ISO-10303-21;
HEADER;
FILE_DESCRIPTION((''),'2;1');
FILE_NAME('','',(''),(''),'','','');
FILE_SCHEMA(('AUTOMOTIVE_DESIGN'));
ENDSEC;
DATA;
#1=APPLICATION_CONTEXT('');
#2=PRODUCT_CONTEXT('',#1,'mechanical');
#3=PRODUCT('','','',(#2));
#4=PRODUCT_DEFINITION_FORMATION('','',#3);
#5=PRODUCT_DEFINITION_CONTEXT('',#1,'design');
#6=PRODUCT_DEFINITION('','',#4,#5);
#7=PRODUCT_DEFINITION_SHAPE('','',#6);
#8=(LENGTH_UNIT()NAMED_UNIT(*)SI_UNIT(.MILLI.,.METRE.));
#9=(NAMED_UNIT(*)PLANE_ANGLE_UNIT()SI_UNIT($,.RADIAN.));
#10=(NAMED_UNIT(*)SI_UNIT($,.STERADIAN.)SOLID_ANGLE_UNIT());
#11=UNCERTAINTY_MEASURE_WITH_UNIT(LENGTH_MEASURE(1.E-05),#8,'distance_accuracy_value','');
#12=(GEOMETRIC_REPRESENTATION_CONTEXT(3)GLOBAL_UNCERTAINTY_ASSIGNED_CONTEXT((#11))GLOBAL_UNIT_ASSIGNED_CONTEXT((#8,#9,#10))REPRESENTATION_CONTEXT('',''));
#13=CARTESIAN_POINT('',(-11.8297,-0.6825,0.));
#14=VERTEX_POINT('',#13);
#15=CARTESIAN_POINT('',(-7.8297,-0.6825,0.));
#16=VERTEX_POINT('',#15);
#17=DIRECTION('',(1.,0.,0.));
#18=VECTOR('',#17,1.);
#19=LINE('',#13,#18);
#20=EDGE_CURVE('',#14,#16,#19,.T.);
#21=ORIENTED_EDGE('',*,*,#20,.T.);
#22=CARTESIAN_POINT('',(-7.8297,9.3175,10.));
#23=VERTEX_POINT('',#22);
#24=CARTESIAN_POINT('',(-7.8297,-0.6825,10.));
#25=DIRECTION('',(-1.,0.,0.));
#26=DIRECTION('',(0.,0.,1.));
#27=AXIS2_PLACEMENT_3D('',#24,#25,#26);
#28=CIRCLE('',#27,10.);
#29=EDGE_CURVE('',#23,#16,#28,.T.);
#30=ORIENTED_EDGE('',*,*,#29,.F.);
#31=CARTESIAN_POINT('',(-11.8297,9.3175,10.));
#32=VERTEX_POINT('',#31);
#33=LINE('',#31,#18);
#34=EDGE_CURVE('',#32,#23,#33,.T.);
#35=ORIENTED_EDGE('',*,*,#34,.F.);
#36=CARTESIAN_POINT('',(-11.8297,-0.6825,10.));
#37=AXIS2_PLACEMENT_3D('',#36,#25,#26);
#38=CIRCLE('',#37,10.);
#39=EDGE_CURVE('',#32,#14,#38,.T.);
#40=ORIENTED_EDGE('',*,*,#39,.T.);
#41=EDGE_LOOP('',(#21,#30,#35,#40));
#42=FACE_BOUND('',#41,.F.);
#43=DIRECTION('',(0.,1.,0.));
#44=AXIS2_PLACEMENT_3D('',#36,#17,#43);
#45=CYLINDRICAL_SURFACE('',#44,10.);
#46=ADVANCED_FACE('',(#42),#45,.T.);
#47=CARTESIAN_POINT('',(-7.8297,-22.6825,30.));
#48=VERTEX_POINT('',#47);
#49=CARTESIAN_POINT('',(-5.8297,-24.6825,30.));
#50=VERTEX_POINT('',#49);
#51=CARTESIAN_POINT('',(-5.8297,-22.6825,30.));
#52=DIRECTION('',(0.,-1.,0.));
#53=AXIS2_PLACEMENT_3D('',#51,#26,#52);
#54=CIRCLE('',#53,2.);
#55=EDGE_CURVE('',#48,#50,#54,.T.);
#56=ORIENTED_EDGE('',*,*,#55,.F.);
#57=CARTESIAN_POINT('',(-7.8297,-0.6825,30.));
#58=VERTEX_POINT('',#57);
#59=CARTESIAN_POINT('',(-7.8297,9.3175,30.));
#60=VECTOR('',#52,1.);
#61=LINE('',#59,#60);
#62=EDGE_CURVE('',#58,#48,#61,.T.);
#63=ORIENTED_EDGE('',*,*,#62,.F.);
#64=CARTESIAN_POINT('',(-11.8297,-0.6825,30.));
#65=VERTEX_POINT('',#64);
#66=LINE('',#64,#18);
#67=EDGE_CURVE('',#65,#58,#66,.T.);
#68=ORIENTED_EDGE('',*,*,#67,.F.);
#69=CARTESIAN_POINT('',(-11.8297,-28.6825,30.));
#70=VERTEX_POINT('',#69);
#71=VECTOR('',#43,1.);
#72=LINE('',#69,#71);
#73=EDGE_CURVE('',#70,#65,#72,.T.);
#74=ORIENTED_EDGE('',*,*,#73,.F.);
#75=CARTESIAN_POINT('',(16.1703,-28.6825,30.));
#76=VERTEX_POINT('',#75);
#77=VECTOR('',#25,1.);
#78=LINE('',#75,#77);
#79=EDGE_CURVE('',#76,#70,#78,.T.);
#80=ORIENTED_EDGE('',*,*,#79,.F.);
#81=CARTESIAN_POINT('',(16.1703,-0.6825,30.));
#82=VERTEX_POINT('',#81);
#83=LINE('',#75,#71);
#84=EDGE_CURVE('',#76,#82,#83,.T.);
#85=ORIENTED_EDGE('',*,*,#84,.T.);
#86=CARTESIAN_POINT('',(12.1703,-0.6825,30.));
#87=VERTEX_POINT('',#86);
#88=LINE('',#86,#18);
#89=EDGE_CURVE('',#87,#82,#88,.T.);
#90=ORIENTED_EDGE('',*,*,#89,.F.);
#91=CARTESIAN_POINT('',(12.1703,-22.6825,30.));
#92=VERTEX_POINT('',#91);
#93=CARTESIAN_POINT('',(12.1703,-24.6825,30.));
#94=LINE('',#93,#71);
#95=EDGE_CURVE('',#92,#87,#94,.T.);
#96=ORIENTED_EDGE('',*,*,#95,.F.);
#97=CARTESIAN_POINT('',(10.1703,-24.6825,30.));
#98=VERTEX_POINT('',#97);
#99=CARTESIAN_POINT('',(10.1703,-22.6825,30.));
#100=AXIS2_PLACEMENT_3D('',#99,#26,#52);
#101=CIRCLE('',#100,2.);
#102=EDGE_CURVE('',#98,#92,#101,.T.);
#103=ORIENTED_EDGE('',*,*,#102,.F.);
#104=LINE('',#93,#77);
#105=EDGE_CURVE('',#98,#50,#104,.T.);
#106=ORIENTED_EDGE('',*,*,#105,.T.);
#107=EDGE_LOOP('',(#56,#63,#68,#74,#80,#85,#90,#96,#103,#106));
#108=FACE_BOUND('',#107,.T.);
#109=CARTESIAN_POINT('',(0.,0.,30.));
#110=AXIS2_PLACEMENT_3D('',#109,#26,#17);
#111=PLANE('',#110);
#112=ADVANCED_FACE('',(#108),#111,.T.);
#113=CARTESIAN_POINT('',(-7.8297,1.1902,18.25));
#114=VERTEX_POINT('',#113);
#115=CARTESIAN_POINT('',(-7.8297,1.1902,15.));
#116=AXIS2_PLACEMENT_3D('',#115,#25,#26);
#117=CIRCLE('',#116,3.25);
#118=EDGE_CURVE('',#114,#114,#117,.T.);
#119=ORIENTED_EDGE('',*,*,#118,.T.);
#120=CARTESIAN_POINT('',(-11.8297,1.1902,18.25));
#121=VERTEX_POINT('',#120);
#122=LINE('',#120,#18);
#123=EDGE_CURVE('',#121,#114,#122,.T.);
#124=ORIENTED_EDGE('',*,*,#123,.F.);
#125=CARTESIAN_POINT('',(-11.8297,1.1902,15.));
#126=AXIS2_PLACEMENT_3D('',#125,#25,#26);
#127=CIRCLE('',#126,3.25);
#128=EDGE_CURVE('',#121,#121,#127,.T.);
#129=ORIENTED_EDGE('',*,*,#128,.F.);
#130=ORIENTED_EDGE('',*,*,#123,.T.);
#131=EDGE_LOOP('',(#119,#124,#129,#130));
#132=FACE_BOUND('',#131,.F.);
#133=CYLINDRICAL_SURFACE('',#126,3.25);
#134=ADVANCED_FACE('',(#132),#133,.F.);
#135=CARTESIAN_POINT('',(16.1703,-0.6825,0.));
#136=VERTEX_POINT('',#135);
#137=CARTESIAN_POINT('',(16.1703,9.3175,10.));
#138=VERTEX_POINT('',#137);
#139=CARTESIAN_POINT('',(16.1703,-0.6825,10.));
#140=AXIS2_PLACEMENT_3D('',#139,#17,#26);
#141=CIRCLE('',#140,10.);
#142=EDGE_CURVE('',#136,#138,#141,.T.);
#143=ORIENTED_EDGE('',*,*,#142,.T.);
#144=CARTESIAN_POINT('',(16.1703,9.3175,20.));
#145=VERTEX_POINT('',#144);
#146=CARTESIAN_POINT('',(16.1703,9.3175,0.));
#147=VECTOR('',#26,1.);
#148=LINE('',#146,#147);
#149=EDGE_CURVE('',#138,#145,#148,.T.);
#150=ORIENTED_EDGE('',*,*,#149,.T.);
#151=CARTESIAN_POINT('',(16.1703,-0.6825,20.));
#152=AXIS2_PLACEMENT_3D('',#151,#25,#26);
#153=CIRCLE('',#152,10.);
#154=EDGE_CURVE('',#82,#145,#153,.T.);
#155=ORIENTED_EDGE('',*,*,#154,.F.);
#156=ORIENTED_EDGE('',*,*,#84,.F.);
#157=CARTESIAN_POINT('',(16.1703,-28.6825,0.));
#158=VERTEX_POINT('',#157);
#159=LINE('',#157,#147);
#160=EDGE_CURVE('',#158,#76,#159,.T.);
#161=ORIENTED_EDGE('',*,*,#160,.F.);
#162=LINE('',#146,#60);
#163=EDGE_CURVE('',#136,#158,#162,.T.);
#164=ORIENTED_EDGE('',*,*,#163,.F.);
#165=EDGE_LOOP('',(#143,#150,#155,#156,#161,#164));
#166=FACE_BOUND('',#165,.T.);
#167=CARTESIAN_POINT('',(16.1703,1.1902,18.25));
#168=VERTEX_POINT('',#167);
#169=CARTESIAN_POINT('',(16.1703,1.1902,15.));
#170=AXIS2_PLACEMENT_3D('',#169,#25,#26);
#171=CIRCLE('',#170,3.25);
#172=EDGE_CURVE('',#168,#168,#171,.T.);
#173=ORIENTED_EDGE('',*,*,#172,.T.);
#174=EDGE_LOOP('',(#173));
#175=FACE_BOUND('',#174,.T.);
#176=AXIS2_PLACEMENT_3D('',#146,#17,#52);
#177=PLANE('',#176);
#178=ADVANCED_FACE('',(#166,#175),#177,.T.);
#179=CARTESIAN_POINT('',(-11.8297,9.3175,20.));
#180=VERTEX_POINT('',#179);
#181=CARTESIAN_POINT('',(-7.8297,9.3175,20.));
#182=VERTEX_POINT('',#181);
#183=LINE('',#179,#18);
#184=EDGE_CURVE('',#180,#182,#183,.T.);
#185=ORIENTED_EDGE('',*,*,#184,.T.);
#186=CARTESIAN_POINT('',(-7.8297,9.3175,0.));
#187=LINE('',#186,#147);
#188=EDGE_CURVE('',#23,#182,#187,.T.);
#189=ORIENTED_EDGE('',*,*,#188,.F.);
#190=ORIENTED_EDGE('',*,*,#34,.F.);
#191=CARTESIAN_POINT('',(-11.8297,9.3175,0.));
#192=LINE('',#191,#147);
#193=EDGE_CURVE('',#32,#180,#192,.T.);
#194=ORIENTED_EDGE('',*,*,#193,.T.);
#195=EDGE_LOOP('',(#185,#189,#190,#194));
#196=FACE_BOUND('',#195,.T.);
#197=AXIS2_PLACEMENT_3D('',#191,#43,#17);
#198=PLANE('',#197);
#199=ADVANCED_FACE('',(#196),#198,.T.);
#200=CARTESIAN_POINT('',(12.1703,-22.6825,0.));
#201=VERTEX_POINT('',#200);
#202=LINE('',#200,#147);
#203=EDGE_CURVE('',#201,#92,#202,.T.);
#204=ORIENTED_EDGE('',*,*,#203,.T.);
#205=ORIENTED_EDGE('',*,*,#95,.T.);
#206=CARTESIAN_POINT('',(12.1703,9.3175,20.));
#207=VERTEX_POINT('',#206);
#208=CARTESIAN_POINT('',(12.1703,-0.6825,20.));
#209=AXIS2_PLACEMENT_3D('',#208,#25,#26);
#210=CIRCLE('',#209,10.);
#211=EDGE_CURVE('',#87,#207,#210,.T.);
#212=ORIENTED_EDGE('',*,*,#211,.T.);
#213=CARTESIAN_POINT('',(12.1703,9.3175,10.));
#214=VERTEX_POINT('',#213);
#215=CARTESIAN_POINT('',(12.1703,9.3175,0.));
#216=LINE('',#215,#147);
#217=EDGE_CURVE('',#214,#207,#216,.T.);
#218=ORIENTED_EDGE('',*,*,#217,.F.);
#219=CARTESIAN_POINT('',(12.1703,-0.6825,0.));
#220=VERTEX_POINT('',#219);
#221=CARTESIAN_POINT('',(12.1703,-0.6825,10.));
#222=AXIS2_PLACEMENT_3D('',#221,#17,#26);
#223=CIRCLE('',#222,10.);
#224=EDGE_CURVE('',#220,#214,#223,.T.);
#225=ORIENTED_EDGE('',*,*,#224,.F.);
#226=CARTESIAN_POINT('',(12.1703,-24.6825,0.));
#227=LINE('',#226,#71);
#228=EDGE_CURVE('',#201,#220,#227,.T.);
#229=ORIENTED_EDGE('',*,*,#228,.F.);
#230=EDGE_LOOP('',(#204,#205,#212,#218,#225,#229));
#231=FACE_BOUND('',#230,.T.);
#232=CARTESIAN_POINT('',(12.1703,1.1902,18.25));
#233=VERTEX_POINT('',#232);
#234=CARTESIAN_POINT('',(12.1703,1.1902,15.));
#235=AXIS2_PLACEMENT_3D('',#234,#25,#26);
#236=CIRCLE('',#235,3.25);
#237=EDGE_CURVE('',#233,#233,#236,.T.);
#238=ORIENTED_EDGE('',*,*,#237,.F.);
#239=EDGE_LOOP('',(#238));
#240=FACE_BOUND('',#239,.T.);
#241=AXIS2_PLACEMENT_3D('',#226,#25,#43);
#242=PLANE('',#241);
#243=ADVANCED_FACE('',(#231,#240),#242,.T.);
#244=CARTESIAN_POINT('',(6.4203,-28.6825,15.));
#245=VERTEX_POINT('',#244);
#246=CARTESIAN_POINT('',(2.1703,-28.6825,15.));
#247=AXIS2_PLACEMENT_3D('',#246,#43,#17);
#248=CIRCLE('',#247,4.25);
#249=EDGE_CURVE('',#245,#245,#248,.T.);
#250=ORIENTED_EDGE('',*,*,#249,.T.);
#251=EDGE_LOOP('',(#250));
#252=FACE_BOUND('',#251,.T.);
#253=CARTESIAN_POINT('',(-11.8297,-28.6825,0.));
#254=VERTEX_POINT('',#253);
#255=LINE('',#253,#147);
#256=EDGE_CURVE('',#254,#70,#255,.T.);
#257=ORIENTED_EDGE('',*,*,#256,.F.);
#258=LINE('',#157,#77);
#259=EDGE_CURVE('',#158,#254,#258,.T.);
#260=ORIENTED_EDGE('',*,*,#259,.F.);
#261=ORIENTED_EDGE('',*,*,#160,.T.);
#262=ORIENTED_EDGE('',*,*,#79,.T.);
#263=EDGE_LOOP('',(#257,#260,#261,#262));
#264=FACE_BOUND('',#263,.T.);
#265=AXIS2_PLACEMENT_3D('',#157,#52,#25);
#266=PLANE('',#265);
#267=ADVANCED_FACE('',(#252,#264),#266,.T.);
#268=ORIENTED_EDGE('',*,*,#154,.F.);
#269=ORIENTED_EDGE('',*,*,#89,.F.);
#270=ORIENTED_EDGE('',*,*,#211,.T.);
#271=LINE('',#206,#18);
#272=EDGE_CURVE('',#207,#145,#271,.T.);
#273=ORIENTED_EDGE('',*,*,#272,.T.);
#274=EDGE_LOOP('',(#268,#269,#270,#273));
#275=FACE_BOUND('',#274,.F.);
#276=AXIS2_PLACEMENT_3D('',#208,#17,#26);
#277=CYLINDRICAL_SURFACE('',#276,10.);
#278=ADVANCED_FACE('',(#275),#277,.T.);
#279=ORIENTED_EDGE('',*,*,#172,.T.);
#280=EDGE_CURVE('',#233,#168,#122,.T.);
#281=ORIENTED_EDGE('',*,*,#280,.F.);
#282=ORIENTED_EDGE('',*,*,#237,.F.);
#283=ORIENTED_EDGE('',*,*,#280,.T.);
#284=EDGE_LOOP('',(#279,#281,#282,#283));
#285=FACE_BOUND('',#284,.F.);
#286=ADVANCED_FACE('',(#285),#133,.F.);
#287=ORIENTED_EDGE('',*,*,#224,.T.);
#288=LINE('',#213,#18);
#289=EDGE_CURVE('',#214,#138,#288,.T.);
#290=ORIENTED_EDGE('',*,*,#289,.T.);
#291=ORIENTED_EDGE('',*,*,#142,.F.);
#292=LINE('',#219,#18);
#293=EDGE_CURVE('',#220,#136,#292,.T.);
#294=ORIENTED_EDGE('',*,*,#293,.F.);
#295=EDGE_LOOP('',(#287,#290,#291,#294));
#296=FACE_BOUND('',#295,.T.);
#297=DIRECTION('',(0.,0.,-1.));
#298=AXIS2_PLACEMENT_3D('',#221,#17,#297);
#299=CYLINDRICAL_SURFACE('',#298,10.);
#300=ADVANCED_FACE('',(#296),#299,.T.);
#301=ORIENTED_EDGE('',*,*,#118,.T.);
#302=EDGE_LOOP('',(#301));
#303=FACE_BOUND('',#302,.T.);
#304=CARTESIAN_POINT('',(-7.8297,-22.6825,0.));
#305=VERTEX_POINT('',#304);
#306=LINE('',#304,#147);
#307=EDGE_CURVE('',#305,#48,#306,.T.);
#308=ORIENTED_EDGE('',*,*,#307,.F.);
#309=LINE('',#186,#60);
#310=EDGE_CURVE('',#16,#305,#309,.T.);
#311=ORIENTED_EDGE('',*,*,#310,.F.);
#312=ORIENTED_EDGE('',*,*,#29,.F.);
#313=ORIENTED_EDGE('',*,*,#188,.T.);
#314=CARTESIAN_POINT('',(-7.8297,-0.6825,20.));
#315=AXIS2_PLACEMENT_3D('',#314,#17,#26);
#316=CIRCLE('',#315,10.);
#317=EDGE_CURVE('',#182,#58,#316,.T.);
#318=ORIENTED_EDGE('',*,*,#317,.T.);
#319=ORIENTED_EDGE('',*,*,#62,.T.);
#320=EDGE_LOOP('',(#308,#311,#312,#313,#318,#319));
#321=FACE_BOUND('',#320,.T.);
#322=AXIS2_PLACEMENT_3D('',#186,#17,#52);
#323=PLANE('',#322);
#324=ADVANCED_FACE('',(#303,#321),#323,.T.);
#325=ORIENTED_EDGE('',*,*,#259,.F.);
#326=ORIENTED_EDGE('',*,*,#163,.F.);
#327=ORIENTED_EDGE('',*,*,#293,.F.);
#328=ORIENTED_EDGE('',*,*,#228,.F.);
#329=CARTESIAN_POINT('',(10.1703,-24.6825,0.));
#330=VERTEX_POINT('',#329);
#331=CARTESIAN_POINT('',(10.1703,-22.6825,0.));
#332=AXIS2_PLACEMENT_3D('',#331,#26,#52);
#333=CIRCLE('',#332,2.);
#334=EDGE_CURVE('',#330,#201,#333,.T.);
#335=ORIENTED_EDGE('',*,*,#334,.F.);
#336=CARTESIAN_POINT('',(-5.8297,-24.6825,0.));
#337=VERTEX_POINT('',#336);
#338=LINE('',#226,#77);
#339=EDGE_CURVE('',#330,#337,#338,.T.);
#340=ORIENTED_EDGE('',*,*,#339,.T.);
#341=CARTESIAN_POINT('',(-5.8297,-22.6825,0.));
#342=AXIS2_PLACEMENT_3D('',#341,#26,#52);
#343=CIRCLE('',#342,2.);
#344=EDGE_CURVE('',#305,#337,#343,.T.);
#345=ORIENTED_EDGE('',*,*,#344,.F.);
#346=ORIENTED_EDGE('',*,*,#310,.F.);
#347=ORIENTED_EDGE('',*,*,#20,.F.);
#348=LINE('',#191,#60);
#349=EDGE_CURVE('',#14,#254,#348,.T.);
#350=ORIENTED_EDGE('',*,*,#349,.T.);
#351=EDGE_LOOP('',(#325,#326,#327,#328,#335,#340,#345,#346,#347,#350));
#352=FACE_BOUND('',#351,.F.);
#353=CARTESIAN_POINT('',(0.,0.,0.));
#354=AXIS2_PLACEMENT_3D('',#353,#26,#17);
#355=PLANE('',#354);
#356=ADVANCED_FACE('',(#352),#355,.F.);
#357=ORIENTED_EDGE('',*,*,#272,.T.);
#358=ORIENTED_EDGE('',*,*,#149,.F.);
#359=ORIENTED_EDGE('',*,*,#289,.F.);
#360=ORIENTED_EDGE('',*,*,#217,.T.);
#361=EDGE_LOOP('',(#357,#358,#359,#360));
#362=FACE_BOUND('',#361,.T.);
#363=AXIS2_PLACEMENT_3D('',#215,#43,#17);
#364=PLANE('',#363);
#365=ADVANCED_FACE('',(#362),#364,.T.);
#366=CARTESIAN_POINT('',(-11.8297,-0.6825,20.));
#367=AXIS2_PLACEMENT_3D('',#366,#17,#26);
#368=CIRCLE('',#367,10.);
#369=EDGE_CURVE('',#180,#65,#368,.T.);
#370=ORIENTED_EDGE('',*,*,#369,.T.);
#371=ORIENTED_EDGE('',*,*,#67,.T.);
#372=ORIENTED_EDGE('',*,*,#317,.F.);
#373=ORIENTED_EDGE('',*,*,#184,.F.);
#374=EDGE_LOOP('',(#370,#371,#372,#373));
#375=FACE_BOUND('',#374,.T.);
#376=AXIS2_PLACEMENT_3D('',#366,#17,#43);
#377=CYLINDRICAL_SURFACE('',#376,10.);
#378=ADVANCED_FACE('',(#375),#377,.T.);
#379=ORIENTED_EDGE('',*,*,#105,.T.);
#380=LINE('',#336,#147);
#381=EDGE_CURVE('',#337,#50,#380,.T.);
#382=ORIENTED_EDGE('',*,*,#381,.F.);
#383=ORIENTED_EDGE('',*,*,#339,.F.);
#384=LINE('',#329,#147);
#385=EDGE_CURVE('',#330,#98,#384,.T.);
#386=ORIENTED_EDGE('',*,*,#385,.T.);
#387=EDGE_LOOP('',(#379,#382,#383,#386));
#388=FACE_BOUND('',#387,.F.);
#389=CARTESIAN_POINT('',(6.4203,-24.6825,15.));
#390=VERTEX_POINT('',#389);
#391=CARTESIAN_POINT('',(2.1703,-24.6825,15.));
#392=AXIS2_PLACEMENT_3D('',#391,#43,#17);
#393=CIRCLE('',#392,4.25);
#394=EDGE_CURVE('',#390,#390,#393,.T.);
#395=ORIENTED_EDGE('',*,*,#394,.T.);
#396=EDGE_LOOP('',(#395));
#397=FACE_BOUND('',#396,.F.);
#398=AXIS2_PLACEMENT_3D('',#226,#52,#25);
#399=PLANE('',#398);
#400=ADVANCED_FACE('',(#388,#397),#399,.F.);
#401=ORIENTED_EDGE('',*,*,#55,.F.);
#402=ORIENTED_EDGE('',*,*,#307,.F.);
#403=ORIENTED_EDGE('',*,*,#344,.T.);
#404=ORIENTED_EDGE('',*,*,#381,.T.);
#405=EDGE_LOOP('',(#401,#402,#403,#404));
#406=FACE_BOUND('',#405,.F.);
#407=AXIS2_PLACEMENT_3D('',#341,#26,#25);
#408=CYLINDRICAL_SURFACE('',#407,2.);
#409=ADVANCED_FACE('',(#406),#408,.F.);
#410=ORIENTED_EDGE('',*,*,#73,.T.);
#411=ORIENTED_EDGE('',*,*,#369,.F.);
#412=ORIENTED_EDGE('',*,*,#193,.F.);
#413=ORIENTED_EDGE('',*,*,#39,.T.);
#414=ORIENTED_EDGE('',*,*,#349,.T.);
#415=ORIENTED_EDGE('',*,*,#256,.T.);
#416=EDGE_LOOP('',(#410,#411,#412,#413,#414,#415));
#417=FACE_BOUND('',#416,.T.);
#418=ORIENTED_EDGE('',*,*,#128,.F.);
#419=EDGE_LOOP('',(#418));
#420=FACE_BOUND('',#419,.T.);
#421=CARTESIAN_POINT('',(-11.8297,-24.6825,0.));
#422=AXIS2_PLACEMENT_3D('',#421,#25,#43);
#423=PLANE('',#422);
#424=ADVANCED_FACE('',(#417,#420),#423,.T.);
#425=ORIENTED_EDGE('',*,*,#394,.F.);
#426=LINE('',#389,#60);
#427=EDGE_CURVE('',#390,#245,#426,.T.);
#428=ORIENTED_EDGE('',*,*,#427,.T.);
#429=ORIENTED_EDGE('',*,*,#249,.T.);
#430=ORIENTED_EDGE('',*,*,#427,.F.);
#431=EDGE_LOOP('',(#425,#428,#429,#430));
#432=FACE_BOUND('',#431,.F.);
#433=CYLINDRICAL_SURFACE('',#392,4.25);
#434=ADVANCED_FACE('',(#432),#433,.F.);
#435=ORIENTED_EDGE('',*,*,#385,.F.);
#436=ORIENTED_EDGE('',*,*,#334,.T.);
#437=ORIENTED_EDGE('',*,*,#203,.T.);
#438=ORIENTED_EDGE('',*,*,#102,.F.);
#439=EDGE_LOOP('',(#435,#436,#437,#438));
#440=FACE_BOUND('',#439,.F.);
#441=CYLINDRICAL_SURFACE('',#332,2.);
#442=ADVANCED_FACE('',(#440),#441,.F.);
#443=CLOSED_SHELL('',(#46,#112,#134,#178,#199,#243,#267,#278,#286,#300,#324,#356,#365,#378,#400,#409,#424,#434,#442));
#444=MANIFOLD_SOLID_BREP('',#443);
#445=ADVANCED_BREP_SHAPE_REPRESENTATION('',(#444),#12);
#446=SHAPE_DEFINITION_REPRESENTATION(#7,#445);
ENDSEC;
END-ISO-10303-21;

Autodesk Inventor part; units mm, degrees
ref_plane "YZ Plane" through (0, 0, 0) normal (1, 0, 0) x (0, 1, 0)
ref_plane "XZ Plane" through (0, 0, 0) normal (0, 1, 0) x (-1, 0, 0)
ref_plane "XY Plane" through (0, 0, 0) normal (0, 0, 1) x (1, 0, 0)
sketch "Sketch1" plane through (0, 0, 0) normal (0, 0, 1) x (1, 0, 0)
  line L0 (-11.8297, 9.3175) -> (-7.8297, 9.3175)
  line L1 (-7.8297, 9.3175) -> (-7.8297, -24.6825)
  line L2 (-11.8297, -24.6825) -> (-11.8297, 9.3175)
  line L3 (16.1703, -24.6825) -> (16.1703, -28.6825)
  line L4 (16.1703, -28.6825) -> (-11.8297, -28.6825)
  line L5 (-11.8297, -28.6825) -> (-11.8297, -24.6825)
  line L6 (12.1703, -24.6825) -> (12.1703, 9.3175)
  line L7 (12.1703, 9.3175) -> (16.1703, 9.3175)
  line L8 (16.1703, 9.3175) -> (16.1703, -24.6825)
  line L9 (12.1703, -24.6825) -> (-7.8297, -24.6825)
  point P0 (0, 0)
  dimension "d0" = 4
  dimension "d1" = 34
  dimension "d5" = 4
  dimension "d6" = 4
  dimension "d7" = 34
  dimension "d14" = 24
  dimension "d15" = 28
  dimension "d16" = 38
  dimension "d18" = 9.3175
extrude "Extrusion1" add sketch "Sketch1" along normal blind 30
sketch "Sketch2" plane through (-11.8297, -28.6825, 0) normal (-1, 0, 0) x (0, 0, 1)
  line L0 (0, 0) -> (0, 38) construction
  line L1 (0, 0) -> (30, 0) construction
  line L2 (30, 38) -> (30, 0) construction
  line L3 (0, 38) -> (30, 38) construction
  line L4 (0, 38) -> (30, 38) construction
  line L5 (15, 38) -> (15, 0) construction
  circle A0 centre (15, 29.8727) radius 3.25
  point P0 (0, 28.6825)
  dimension "d10" = 6.5
extrude "Extrusion2" cut sketch "Sketch2" against normal through all
fillet "Fillet1" radius 10 4 edges at (-9.8297, 9.3175, 0) (14.1703, 9.3175, 0) (-9.8297, 9.3175, 30) (14.1703, 9.3175, 30)
sketch "Sketch3" plane through (-7.8297, -24.6825, 0) normal (0, 1, 0) x (1, 0, 0)
  line L0 (0, 0) -> (20, 0) projected
  line L1 (0, 0) -> (0, -30) projected
  line L2 (20, -30) -> (0, -30) projected
  line L3 (20, 0) -> (20, -30) projected
  circle A0 centre (10, -15) radius 4.25
  point P0 (7.8297, 0)
  dimension "d19" = 8.5
extrude "Extrusion3" cut sketch "Sketch3" against normal through all contours A0
fillet "Fillet2" radius 2 2 edges at (-7.8297, -24.6825, 15) (12.1703, -24.6825, 15)
equation "\"d1\" = d7"
properties part number "linear actuator bracket"
